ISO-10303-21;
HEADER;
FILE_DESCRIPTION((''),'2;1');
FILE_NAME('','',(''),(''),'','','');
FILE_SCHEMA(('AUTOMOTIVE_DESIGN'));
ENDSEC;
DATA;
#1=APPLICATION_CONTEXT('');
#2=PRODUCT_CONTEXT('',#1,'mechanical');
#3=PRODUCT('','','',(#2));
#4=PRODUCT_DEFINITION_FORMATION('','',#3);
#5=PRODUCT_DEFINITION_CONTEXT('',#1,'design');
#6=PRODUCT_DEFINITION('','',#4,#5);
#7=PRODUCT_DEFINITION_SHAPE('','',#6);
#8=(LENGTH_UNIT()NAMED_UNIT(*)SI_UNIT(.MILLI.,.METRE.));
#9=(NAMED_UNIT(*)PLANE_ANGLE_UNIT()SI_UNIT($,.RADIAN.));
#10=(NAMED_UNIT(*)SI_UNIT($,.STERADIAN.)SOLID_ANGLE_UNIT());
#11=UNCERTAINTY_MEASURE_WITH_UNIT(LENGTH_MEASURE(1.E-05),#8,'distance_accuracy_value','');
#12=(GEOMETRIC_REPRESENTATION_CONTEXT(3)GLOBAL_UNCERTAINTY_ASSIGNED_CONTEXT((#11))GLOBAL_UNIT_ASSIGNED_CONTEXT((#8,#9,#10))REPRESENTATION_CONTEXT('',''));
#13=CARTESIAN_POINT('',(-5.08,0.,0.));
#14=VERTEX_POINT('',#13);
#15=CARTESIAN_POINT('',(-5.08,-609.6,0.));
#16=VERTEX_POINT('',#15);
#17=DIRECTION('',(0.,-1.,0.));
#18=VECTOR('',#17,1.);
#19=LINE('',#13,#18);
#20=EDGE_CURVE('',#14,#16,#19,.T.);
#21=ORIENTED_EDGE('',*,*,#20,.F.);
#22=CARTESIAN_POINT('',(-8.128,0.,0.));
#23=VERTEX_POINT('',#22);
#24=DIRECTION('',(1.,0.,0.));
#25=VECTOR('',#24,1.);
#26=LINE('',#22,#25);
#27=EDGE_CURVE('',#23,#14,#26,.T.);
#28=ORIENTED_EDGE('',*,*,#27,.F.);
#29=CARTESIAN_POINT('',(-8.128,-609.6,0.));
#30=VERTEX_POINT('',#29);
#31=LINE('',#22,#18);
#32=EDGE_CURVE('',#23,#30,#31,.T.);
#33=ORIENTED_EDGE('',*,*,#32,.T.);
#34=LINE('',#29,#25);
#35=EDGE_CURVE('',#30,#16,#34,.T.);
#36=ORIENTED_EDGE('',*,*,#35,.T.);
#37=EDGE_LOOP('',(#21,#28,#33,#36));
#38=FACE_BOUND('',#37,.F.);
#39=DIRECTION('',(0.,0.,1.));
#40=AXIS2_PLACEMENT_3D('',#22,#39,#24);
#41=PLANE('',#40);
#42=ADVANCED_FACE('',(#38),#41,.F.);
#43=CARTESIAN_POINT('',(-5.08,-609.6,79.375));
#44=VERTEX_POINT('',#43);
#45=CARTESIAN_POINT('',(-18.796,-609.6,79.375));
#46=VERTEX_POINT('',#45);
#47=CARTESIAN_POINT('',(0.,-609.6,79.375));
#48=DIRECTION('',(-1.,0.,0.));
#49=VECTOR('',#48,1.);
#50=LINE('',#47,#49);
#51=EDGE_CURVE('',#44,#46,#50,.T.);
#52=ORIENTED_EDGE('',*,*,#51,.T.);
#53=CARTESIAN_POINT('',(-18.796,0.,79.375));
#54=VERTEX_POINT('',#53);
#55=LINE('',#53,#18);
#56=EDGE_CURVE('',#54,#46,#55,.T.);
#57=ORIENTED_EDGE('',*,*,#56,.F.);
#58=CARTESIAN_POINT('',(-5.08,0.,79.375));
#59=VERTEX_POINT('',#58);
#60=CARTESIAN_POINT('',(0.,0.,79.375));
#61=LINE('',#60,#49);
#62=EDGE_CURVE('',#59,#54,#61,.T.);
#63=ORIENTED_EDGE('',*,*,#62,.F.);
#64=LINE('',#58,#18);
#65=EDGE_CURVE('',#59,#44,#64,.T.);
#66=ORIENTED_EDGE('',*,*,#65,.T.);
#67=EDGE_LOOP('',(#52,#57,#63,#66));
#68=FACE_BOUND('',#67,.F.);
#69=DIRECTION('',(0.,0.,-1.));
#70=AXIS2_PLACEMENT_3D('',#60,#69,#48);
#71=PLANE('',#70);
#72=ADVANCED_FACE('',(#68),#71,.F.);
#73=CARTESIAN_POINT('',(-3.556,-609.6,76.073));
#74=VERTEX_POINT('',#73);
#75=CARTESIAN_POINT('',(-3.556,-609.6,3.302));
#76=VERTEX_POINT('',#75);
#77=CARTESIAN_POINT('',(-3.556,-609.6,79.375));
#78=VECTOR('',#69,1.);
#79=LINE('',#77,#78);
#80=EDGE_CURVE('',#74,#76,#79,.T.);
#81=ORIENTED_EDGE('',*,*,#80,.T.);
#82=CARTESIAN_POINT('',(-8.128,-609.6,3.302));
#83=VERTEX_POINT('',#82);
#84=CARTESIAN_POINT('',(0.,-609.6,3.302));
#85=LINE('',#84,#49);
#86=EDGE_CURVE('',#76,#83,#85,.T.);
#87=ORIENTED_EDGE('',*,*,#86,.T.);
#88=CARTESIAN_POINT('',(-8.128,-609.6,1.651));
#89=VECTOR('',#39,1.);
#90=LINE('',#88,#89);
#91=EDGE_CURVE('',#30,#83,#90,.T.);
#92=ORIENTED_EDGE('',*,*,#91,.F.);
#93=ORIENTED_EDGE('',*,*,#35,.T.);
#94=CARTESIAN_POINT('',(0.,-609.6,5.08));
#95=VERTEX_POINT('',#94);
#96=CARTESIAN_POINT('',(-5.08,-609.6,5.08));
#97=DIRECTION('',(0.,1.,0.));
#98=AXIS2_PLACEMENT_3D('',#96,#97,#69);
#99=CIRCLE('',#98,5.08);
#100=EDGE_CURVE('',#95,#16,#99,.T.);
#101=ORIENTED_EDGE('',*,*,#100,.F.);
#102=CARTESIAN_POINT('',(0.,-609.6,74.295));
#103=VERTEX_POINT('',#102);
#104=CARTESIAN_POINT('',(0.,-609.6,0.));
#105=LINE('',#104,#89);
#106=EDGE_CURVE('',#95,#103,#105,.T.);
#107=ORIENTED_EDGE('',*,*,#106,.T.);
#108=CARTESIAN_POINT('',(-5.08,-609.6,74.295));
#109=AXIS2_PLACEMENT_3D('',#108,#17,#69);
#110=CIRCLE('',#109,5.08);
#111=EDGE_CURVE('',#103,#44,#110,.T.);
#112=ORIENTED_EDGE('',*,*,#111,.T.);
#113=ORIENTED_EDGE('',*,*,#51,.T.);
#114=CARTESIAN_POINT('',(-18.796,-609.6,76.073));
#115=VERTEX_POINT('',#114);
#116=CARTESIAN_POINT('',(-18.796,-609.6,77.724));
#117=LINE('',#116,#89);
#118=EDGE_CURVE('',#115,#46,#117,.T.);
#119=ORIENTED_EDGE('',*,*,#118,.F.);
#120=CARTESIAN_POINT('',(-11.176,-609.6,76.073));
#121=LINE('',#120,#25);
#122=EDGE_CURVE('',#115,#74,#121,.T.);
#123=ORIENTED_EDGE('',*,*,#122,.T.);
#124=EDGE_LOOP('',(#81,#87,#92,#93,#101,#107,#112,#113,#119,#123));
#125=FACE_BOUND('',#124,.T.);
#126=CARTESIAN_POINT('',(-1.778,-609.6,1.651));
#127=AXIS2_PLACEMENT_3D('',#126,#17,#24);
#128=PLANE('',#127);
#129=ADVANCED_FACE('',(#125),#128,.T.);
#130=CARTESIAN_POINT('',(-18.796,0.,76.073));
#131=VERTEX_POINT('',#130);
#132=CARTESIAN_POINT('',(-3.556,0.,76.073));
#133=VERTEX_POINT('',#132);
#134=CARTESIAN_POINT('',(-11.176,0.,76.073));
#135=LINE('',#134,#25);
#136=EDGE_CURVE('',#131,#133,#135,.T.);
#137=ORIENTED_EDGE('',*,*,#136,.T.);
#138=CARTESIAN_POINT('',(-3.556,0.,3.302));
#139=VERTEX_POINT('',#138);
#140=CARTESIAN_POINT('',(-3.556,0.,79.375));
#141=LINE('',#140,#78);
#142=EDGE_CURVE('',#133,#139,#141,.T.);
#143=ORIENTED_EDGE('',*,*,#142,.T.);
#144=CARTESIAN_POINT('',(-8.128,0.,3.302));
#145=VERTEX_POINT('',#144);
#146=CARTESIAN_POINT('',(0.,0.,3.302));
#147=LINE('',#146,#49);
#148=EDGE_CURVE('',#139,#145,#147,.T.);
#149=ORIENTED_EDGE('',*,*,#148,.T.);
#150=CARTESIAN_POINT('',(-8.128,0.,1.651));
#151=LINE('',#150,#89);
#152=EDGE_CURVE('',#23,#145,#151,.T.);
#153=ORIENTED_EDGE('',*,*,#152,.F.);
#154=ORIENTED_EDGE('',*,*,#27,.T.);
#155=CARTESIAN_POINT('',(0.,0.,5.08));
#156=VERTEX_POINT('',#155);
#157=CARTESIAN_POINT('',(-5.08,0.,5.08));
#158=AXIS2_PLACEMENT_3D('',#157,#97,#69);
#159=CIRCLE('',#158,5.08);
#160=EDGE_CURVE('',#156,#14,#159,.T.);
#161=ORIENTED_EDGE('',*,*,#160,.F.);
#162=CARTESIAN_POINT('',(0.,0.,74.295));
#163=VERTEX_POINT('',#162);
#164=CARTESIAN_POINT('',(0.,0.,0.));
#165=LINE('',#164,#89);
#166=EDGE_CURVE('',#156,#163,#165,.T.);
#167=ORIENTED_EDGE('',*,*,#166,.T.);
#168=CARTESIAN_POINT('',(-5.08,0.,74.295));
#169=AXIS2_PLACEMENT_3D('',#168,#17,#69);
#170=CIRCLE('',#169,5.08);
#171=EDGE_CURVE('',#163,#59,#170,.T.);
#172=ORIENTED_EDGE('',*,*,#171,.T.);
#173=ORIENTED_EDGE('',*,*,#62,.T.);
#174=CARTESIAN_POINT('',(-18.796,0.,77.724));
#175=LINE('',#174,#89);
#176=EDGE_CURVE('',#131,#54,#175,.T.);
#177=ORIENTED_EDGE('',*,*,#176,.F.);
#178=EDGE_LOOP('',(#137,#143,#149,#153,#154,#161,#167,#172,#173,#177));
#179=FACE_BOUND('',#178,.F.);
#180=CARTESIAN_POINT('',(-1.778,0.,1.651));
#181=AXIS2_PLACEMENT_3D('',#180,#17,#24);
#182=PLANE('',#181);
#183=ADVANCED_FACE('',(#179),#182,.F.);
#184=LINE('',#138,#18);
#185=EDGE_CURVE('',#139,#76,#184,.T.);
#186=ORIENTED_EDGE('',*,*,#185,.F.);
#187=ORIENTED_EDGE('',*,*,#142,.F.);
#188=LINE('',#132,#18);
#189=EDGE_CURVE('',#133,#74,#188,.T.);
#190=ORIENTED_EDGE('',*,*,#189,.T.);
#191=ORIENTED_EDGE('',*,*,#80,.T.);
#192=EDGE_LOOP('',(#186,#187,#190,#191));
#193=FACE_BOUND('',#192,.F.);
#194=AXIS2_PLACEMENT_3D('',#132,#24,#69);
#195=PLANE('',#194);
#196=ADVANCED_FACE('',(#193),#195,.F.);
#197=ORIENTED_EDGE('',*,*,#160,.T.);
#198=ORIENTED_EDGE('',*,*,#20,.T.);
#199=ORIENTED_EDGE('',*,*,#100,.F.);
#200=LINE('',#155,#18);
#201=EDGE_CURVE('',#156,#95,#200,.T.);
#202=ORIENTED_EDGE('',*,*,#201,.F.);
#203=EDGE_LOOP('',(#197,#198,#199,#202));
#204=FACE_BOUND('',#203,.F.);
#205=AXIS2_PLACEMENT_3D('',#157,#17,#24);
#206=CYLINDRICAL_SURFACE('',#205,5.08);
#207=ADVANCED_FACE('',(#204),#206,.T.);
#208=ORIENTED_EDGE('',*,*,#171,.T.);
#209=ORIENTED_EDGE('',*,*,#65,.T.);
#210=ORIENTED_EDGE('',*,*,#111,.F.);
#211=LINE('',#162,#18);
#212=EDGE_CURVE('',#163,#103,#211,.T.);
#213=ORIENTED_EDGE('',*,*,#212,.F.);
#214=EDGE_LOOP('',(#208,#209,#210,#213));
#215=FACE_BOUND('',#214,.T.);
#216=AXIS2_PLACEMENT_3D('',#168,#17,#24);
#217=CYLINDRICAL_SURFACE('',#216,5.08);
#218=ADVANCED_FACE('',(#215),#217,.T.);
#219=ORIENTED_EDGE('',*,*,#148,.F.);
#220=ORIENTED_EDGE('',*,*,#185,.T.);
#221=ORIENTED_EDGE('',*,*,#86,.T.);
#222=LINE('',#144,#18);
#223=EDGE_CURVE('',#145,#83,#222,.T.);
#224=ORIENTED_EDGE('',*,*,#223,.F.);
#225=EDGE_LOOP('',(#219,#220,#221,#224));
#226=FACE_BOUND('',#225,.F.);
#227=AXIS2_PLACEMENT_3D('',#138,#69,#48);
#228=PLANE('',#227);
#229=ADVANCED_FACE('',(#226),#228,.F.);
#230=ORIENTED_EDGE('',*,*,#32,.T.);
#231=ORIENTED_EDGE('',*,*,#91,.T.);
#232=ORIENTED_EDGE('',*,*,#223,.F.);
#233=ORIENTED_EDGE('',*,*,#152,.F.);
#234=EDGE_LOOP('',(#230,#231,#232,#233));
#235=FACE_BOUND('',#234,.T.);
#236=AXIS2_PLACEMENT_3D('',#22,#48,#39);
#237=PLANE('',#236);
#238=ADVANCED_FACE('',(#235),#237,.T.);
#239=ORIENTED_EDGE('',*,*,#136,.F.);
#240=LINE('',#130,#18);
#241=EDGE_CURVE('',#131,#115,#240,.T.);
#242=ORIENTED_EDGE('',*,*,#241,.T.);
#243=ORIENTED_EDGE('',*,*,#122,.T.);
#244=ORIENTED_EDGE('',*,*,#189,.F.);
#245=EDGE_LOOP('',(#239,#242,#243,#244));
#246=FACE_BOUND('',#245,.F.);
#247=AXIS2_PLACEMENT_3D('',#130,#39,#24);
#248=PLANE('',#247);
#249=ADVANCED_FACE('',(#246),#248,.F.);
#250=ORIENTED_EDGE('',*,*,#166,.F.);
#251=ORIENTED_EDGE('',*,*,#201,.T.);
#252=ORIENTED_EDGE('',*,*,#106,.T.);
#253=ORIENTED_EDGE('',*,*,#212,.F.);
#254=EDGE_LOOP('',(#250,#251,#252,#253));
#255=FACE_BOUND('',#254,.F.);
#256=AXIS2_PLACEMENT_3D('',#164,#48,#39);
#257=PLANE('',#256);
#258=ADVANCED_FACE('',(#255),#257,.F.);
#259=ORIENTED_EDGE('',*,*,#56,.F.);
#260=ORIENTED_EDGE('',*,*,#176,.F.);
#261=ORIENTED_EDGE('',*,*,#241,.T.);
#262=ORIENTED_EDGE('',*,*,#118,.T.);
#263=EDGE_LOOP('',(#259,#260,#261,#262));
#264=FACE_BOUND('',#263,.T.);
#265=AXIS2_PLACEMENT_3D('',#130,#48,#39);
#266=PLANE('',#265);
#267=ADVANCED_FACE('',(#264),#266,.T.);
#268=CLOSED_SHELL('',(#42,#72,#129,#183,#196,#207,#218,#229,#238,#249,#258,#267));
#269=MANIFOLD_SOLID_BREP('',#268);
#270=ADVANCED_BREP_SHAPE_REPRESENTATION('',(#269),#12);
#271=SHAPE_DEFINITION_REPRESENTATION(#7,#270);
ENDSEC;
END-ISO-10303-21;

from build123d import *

# Parameters (mm, degrees)
F0_W     = 3.556
F0_H     = 3.302
F0_W_2   = 4.572
F0_H_2   = 72.771
F0_W_3   = 15.24
F1_DEPTH = 609.6
F2_R     = 5.08


with BuildPart() as f1:
    # F0 (on Front) → F1 (new body)
    with BuildSketch(Plane.XZ):
        with Locations((-1.778, 1.651)):
            Rectangle(F0_W, F0_H)
        with Locations((-5.842, 1.651)):
            Rectangle(F0_W_2, F0_H)
        with Locations((-1.778, 39.6875)):
            Rectangle(F0_W, F0_H_2)
        with Locations((-1.778, 77.724)):
            Rectangle(F0_W, F0_H)
        with Locations((-11.176, 77.724)):
            Rectangle(F0_W_3, F0_H)
    extrude(amount=F1_DEPTH)

    # F2
    f2_edges = [f1.edges().sort_by_distance(p)[0] for p in [
        (0, -304.8, 79.375),
        (0, -304.8, 0),
    ]]
    fillet(f2_edges, radius=F2_R)


solid = f1.part
